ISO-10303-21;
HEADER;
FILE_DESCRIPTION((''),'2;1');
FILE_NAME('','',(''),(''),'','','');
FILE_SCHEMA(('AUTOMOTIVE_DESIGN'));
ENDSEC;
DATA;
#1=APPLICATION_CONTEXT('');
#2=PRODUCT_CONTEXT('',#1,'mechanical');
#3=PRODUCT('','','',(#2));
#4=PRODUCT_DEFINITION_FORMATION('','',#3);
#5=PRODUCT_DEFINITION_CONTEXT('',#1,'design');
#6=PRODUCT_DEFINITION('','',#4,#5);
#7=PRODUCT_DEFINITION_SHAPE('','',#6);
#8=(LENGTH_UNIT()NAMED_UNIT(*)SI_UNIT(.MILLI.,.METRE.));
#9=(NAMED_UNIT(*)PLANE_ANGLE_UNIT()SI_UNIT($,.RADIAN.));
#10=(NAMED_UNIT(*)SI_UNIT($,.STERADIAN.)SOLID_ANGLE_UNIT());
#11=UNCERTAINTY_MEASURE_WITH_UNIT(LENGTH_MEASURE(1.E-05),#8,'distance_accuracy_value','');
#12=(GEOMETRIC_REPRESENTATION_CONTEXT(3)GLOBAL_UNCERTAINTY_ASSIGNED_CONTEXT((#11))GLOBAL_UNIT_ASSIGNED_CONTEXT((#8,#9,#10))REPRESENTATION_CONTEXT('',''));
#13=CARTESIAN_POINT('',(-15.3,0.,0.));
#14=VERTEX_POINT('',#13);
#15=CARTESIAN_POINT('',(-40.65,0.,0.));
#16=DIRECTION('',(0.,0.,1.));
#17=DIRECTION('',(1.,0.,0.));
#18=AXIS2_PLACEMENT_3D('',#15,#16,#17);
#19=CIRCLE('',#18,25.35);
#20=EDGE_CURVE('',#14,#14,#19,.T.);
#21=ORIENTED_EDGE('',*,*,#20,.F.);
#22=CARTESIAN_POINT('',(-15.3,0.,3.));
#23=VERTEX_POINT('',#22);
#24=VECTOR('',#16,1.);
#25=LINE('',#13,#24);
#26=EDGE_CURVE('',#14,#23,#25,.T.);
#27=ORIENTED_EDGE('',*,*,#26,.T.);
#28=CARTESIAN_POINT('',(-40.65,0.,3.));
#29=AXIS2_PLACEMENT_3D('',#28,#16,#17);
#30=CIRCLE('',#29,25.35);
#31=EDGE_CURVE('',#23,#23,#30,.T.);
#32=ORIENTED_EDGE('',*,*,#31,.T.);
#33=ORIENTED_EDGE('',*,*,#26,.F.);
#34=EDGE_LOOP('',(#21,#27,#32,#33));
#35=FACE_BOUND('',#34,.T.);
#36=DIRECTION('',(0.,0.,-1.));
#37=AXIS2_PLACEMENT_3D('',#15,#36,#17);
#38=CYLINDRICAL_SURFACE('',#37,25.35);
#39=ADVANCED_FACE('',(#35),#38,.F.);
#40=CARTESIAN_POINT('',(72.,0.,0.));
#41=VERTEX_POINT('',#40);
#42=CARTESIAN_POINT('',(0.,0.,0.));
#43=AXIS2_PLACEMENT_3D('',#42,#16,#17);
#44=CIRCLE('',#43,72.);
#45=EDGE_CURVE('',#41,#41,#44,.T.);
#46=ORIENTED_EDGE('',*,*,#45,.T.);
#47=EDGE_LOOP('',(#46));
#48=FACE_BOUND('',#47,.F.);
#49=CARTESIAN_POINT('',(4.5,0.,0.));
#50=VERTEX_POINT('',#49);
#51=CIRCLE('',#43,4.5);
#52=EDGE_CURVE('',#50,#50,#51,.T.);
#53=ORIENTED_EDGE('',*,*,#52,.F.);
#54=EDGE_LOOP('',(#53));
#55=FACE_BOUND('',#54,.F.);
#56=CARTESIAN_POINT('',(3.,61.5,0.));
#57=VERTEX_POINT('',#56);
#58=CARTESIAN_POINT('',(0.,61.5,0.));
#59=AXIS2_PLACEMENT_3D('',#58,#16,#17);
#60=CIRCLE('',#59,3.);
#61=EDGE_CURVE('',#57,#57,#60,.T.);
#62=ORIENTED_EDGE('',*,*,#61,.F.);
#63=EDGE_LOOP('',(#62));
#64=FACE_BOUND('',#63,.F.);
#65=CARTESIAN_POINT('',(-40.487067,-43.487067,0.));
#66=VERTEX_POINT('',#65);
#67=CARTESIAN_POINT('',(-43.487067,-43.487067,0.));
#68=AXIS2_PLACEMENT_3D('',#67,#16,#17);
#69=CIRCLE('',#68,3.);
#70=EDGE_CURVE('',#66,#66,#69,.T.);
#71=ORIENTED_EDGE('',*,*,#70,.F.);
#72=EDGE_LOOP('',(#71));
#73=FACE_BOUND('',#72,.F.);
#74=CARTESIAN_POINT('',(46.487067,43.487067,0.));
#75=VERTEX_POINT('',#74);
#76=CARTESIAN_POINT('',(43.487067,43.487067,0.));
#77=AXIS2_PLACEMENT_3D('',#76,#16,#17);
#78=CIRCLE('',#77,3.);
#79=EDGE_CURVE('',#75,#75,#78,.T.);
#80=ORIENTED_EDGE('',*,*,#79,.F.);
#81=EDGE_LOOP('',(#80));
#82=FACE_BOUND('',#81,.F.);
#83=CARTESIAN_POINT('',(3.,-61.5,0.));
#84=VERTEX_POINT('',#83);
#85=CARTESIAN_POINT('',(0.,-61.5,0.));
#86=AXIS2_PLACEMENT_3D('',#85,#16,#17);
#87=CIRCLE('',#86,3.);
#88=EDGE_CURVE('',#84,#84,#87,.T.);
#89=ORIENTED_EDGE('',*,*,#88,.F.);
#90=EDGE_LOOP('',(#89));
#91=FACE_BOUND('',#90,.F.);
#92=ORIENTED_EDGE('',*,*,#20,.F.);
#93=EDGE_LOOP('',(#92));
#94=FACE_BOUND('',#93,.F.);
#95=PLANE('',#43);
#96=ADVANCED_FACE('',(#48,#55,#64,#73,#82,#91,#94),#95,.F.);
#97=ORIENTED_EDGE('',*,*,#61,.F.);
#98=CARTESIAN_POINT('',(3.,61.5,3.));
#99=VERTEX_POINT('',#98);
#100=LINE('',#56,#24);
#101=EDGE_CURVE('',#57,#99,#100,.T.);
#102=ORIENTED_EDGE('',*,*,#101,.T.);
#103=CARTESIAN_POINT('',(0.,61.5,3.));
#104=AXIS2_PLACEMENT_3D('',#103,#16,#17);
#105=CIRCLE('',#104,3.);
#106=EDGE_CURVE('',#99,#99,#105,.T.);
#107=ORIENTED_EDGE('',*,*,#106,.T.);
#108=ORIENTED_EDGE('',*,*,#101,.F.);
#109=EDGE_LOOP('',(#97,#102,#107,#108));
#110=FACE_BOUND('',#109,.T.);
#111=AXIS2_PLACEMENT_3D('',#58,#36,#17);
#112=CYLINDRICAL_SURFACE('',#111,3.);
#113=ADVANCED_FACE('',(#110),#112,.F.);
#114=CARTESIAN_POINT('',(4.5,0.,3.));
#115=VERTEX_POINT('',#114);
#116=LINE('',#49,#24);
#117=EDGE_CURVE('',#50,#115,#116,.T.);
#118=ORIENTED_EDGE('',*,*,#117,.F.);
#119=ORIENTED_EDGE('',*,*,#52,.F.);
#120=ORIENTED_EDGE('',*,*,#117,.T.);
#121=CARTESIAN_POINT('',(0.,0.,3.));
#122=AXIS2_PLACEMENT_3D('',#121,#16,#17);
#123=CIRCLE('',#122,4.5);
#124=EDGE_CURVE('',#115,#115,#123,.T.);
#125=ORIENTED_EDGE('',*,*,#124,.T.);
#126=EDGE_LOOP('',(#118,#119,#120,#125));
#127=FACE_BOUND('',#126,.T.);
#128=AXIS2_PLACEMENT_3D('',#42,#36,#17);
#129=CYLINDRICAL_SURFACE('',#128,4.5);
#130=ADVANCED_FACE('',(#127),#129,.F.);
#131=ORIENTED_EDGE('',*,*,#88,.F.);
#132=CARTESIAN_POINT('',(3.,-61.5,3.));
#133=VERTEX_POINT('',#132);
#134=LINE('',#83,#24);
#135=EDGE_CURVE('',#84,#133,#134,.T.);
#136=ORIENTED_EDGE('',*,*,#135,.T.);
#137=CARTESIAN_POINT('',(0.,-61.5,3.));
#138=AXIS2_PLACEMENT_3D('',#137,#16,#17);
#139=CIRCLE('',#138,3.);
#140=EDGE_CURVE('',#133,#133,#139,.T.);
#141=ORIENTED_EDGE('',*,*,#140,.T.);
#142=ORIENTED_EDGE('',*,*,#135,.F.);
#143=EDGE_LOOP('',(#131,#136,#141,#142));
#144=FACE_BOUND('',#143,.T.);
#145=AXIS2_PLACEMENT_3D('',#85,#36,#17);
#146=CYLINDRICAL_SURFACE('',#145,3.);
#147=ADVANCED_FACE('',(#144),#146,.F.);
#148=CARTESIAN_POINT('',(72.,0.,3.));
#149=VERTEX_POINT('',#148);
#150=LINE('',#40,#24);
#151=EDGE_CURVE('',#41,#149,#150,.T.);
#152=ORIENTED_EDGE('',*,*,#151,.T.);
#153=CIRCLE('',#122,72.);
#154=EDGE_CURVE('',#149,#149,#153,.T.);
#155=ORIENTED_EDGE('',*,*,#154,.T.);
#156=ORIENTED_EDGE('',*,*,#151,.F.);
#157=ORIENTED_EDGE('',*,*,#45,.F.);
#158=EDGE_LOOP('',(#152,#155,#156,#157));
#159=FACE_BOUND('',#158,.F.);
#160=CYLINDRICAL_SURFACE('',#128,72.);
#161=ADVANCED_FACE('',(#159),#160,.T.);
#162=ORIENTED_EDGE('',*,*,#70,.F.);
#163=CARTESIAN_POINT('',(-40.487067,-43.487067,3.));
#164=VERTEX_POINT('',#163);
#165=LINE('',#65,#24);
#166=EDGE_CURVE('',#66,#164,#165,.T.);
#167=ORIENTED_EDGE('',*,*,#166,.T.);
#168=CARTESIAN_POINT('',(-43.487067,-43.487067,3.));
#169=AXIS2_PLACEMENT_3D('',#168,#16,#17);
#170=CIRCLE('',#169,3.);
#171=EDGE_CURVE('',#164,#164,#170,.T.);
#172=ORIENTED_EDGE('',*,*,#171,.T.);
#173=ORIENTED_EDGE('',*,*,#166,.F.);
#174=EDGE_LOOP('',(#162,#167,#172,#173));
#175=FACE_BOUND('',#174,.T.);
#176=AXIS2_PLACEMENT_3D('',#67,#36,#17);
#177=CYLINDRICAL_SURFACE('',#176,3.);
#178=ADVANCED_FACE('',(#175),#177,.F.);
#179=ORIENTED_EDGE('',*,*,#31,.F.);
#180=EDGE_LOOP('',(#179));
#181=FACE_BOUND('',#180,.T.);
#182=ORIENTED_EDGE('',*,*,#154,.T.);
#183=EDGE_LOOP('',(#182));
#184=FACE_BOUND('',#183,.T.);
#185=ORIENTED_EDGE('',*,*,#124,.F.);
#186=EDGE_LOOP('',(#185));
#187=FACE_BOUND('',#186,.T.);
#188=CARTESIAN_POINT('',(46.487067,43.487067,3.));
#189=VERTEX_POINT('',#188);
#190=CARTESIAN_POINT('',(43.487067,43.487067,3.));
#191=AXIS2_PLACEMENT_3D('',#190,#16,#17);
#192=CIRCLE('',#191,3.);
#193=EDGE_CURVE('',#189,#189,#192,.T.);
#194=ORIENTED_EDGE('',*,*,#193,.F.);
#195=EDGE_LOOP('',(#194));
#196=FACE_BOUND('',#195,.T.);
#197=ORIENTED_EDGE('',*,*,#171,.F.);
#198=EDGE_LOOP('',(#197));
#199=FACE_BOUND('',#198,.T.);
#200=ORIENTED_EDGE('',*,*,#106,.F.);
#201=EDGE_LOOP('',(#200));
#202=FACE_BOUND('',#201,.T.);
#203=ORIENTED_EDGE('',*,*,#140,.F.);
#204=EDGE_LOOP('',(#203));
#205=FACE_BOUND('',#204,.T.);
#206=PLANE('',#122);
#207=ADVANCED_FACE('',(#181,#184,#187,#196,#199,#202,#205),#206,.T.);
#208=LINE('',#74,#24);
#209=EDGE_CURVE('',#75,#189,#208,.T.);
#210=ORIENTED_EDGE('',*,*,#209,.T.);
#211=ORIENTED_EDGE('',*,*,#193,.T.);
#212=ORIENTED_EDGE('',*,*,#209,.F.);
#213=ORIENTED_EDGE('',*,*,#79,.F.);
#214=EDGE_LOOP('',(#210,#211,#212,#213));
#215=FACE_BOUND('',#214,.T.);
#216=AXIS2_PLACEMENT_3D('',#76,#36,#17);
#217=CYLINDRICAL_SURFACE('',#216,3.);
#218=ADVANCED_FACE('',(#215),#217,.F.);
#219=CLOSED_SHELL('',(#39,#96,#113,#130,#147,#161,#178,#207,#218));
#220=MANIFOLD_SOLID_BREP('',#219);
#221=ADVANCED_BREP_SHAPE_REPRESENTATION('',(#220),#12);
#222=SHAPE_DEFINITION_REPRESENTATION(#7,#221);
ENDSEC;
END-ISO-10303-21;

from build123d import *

# Parameters (mm, degrees)
F0_R     = 72
F0_R_2   = 3
F0_R_3   = 25.35
F0_R_4   = 4.5
F1_DEPTH = 3


with BuildPart() as f1:
    # F0 (on Top) → F1 (new body)
    with BuildSketch(Plane.XY):
        Circle(F0_R)
        with Locations((-43.487067, -43.487067)):
            Circle(F0_R_2, mode=Mode.SUBTRACT)
        with Locations((0, -61.5)):
            Circle(F0_R_2, mode=Mode.SUBTRACT)
        with Locations((-40.65, 0)):
            Circle(F0_R_3, mode=Mode.SUBTRACT)
        Circle(F0_R_4, mode=Mode.SUBTRACT)
        with Locations((0, 61.5)):
            Circle(F0_R_2, mode=Mode.SUBTRACT)
        with Locations((43.487067, 43.487067)):
            Circle(F0_R_2, mode=Mode.SUBTRACT)
    extrude(amount=F1_DEPTH)


solid = f1.part
